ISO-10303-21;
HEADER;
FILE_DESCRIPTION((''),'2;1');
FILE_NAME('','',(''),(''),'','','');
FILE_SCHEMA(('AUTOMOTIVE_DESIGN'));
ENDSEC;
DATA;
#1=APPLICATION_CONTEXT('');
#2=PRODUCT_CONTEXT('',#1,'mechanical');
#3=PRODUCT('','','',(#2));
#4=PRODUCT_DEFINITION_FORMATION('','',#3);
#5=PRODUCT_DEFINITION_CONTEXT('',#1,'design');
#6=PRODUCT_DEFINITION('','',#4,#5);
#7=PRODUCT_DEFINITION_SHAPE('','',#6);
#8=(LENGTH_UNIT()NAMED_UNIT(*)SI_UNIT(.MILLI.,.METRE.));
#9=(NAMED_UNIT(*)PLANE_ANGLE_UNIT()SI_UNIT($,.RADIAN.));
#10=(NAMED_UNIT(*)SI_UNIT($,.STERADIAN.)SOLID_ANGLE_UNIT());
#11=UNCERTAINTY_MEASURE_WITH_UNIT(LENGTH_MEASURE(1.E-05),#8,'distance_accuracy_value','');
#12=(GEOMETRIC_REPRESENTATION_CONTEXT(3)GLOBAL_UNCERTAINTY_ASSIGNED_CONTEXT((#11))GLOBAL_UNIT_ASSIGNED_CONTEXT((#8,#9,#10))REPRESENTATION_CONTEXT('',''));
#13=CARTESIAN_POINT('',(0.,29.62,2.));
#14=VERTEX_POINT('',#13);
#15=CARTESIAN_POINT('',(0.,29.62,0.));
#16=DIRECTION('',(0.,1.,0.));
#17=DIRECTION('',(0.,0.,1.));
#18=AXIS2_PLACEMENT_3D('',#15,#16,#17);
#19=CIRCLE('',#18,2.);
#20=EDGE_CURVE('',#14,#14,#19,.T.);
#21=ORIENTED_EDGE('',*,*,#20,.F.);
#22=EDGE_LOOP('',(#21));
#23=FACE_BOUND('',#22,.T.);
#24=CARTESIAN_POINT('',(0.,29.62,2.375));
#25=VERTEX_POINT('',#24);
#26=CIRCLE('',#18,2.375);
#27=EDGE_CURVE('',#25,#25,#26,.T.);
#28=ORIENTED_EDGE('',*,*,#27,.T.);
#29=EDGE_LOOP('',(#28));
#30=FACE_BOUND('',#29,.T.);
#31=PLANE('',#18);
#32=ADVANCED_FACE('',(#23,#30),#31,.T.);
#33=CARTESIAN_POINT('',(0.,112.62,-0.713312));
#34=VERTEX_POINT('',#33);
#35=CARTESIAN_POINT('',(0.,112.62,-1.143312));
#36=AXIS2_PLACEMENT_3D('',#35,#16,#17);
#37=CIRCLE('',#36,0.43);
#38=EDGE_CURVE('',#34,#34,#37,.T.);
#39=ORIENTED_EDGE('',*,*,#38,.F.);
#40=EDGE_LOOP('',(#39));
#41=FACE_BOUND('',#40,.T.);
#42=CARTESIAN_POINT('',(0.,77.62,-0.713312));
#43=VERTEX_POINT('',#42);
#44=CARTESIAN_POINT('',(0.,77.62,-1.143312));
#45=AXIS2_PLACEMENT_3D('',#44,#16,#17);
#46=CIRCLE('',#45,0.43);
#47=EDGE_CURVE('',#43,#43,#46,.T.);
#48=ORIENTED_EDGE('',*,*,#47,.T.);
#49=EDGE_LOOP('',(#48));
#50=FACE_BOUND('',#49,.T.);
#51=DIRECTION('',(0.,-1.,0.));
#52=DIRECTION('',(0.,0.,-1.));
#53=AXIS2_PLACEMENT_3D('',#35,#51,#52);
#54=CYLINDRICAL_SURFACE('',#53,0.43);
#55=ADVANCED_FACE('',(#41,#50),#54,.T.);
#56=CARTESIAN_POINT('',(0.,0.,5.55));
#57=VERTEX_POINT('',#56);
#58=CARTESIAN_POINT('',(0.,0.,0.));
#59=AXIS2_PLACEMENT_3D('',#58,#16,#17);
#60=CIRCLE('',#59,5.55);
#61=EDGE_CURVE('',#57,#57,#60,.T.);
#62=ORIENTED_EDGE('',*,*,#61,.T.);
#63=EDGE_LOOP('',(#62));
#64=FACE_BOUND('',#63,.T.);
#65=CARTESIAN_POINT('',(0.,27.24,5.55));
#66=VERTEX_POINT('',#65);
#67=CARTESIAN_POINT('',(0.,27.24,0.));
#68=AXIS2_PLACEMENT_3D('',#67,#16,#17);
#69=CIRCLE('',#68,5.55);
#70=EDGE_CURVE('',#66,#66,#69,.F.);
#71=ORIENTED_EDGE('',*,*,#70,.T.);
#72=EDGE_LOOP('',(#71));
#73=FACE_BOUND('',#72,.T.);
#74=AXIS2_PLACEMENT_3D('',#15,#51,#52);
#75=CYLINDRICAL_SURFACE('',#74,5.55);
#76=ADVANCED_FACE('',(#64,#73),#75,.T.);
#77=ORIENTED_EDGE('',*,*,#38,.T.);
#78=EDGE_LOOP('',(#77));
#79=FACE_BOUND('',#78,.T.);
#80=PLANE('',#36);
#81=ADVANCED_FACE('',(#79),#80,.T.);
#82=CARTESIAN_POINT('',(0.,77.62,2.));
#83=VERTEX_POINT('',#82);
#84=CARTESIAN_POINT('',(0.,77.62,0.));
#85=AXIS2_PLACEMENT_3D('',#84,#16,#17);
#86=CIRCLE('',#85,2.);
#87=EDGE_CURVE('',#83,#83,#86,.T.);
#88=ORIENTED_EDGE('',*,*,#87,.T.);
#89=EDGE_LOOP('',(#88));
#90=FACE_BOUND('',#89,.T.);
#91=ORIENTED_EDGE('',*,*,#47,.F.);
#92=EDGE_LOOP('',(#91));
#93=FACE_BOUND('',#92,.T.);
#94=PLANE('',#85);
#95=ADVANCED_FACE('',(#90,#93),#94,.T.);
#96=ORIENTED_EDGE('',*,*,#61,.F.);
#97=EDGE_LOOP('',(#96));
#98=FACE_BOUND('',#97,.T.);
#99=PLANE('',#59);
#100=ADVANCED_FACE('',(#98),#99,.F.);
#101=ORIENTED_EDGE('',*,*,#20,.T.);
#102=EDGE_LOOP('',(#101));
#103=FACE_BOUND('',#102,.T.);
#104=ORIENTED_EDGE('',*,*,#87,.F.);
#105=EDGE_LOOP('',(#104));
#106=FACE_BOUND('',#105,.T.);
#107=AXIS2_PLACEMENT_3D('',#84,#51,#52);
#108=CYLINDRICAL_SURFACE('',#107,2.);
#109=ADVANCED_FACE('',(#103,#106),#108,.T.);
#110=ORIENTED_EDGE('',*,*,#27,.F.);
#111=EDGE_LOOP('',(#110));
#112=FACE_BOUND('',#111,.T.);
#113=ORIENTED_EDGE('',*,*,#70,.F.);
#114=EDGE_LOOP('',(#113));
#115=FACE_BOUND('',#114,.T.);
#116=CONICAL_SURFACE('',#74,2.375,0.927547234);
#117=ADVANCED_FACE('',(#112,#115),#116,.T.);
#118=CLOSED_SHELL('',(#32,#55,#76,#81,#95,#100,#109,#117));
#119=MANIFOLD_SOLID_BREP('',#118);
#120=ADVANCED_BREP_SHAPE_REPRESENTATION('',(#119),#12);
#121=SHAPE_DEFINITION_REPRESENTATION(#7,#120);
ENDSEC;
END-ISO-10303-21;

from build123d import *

# Parameters (mm, degrees)
SKETCH1_R           = 5.55
BOSS_EXTRUDE1_DEPTH = 29.62
CHAMFER1_SIZE       = 2.38
CHAMFER1_SIZE2      = 3.175
SKETCH2_R           = 2
BOSS_EXTRUDE2_DEPTH = 48
SKETCH3_R           = 0.43
BOSS_EXTRUDE3_DEPTH = 35


with BuildPart() as part:
    # Sketch1 → Boss-Extrude1 (new body)
    with BuildSketch(Plane(origin=(0, 0, 0), x_dir=(1, 0, 0), z_dir=(0, 1, 0))):
        Circle(SKETCH1_R)
    extrude(amount=BOSS_EXTRUDE1_DEPTH)

    # Chamfer1
    chamfer1_edges = [part.edges().sort_by_distance(p)[0] for p in [
        (-5.55, 29.62, 0),
    ]]
    chamfer1_side = [part.faces().sort_by_distance(p)[0] for p in [
        (-5.55, 14.81, 0),
    ]]
    chamfer(chamfer1_edges, length=CHAMFER1_SIZE, length2=CHAMFER1_SIZE2, reference=chamfer1_side[0])

    # Sketch2 → Boss-Extrude2 (add)
    with BuildSketch(Plane(origin=(0, 29.62, 0), x_dir=(1, 0, 0), z_dir=(0, 1, 0))):
        Circle(SKETCH2_R)
    extrude(amount=BOSS_EXTRUDE2_DEPTH)

    # Sketch3 → Boss-Extrude3 (add)
    with BuildSketch(Plane(origin=(0, 77.62, 0), x_dir=(1, 0, 0), z_dir=(0, 1, 0))):
        with Locations((0, 1.143312096)):
            Circle(SKETCH3_R)
    extrude(amount=BOSS_EXTRUDE3_DEPTH)


solid = part.part
